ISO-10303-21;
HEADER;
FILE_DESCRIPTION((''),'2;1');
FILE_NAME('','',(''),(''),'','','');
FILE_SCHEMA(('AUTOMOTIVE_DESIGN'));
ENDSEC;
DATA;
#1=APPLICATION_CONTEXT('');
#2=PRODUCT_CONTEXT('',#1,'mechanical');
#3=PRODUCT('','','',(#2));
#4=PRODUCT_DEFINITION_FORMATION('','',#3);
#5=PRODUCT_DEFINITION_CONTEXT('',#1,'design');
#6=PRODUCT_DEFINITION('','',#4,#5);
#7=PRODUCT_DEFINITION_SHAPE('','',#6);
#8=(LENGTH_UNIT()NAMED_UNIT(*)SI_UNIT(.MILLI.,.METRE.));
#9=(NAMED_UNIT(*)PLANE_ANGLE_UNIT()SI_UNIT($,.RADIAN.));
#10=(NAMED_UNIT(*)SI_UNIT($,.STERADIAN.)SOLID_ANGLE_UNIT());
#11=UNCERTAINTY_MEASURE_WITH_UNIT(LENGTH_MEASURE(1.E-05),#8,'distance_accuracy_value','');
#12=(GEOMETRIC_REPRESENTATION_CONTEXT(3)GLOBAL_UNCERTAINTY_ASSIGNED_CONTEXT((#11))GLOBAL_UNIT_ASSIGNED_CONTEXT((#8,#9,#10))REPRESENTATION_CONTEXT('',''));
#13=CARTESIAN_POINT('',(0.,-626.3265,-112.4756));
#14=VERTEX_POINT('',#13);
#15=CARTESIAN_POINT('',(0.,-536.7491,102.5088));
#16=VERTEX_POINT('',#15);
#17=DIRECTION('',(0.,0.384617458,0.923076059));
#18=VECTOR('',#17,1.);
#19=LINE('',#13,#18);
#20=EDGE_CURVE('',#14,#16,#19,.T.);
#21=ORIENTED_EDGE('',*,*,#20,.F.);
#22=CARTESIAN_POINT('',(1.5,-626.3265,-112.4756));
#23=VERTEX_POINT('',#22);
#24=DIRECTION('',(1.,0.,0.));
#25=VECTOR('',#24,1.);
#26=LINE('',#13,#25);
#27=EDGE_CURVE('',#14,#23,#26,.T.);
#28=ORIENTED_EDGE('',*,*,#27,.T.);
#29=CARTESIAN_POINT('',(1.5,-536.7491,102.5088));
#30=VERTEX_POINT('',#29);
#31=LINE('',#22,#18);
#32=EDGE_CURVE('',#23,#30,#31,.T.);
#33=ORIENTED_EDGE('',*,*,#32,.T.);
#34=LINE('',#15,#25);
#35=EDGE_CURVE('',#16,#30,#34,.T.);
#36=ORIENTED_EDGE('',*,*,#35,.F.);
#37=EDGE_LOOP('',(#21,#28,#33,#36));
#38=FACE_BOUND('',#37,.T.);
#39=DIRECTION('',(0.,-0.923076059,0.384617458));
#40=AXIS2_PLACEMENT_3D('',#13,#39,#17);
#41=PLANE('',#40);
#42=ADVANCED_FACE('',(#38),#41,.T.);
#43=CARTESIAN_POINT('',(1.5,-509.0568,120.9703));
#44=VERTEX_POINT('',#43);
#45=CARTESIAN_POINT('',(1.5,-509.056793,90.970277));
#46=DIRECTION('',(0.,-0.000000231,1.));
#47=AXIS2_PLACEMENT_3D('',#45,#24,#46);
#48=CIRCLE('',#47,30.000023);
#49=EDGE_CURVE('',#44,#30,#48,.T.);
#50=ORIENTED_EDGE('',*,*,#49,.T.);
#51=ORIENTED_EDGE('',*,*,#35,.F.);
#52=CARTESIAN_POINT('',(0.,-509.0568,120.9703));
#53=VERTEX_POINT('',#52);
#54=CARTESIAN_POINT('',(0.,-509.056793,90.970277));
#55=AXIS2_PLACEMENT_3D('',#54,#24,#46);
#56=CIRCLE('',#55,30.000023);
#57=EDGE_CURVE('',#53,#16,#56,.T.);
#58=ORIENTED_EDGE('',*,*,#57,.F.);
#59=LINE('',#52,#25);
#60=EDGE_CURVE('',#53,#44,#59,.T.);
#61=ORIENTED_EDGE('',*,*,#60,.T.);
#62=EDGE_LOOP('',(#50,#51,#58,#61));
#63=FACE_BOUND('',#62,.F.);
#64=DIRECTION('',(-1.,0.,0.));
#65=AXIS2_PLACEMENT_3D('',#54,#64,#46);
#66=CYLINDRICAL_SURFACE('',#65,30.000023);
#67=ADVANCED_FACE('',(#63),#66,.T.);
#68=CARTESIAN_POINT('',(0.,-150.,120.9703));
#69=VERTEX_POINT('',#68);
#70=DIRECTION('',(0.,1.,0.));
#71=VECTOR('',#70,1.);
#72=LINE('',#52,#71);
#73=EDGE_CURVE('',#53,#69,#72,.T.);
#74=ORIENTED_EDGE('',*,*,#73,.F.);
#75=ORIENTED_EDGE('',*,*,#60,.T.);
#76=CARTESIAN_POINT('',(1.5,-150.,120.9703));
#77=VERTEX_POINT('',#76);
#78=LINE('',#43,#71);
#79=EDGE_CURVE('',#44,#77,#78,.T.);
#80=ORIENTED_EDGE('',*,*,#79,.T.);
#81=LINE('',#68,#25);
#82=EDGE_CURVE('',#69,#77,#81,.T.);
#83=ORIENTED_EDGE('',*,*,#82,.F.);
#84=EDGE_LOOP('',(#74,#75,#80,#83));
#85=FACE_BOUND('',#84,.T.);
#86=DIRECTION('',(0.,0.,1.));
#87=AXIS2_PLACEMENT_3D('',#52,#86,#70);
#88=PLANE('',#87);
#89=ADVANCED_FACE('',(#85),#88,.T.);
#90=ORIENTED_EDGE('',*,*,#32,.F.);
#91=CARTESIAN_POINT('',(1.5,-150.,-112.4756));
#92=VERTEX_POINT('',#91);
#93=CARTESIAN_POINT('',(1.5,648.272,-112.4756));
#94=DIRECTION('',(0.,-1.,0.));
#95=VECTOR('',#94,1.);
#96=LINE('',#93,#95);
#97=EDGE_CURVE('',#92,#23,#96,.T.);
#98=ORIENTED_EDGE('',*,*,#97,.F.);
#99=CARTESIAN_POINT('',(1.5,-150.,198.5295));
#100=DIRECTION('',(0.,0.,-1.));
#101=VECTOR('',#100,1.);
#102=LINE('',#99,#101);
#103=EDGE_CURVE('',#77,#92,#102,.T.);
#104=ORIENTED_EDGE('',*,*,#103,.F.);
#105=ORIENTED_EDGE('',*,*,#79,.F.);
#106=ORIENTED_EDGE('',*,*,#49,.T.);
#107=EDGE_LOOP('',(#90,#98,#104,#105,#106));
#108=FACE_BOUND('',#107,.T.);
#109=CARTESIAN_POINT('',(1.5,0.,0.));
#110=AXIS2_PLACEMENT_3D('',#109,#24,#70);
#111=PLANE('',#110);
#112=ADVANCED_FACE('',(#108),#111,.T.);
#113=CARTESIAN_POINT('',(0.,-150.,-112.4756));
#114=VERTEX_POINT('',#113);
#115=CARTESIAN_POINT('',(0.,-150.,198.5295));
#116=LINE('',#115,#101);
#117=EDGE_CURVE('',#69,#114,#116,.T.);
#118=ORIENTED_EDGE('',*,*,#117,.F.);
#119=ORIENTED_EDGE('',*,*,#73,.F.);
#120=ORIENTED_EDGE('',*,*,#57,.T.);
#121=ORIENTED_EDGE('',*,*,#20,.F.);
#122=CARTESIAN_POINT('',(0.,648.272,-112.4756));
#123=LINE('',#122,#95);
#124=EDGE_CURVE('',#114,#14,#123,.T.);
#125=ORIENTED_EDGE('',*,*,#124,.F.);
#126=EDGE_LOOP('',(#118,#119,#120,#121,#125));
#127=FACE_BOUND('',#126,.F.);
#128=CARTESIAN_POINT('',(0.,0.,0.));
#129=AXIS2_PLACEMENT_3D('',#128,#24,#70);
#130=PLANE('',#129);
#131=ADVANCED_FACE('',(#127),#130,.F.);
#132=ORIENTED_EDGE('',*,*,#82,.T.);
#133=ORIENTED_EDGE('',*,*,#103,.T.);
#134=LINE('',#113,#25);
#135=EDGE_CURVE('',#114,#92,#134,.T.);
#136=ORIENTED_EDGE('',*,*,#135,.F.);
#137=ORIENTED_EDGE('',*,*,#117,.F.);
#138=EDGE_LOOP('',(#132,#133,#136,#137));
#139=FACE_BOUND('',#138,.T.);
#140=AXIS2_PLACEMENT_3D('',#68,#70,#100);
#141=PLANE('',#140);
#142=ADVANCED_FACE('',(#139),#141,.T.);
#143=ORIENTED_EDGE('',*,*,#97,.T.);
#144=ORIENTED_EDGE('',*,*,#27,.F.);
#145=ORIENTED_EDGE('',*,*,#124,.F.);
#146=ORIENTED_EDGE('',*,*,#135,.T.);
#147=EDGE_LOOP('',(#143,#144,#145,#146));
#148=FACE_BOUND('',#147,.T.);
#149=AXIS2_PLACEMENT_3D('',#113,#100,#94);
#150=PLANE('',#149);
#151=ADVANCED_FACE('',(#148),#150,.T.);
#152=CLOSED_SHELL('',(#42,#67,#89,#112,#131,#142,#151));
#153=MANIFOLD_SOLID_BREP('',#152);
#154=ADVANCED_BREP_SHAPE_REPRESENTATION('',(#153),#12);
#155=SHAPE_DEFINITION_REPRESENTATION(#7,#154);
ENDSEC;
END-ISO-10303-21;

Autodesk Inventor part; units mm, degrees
ref_plane "YZ Plane" through (0, 0, 0) normal (1, 0, 0) x (0, 1, 0)
ref_plane "XZ Plane" through (0, 0, 0) normal (0, 1, 0) x (-1, 0, 0)
ref_plane "XY Plane" through (0, 0, 0) normal (0, 0, 1) x (1, 0, 0)
sketch "Sketch1" plane through (0, 0, 0) normal (1, 0, 0) x (0, 1, 0)
  line L0 (648.272, -112.4756) -> (-626.3265, -112.4756)
  line L1 (648.272, -112.4756) -> (648.272, 120.9703)
  line L2 (-509.0568, 120.9703) -> (648.272, 120.9703)
  arc A0 (-509.0568, 120.9703) -> (-536.7491, 102.5088) centre (-509.0568, 90.9703) ccw
  line L3 (-626.3265, -112.4756) -> (-536.7491, 102.5088)
  line L4 (-150, 198.5295) -> (-150, -253.5175)
  point P0 (0, 0)
  point P1 (-150, 120.9703)
  point P2 (-150, -112.4756)
  dimension "d2" = 150
extrude "Extrusion1" add sketch "Sketch1" along normal blind 1.5 contours L0 L3 A0 L2 L4
properties part number "AUX_2" material "Steel, Mild, Welded"
